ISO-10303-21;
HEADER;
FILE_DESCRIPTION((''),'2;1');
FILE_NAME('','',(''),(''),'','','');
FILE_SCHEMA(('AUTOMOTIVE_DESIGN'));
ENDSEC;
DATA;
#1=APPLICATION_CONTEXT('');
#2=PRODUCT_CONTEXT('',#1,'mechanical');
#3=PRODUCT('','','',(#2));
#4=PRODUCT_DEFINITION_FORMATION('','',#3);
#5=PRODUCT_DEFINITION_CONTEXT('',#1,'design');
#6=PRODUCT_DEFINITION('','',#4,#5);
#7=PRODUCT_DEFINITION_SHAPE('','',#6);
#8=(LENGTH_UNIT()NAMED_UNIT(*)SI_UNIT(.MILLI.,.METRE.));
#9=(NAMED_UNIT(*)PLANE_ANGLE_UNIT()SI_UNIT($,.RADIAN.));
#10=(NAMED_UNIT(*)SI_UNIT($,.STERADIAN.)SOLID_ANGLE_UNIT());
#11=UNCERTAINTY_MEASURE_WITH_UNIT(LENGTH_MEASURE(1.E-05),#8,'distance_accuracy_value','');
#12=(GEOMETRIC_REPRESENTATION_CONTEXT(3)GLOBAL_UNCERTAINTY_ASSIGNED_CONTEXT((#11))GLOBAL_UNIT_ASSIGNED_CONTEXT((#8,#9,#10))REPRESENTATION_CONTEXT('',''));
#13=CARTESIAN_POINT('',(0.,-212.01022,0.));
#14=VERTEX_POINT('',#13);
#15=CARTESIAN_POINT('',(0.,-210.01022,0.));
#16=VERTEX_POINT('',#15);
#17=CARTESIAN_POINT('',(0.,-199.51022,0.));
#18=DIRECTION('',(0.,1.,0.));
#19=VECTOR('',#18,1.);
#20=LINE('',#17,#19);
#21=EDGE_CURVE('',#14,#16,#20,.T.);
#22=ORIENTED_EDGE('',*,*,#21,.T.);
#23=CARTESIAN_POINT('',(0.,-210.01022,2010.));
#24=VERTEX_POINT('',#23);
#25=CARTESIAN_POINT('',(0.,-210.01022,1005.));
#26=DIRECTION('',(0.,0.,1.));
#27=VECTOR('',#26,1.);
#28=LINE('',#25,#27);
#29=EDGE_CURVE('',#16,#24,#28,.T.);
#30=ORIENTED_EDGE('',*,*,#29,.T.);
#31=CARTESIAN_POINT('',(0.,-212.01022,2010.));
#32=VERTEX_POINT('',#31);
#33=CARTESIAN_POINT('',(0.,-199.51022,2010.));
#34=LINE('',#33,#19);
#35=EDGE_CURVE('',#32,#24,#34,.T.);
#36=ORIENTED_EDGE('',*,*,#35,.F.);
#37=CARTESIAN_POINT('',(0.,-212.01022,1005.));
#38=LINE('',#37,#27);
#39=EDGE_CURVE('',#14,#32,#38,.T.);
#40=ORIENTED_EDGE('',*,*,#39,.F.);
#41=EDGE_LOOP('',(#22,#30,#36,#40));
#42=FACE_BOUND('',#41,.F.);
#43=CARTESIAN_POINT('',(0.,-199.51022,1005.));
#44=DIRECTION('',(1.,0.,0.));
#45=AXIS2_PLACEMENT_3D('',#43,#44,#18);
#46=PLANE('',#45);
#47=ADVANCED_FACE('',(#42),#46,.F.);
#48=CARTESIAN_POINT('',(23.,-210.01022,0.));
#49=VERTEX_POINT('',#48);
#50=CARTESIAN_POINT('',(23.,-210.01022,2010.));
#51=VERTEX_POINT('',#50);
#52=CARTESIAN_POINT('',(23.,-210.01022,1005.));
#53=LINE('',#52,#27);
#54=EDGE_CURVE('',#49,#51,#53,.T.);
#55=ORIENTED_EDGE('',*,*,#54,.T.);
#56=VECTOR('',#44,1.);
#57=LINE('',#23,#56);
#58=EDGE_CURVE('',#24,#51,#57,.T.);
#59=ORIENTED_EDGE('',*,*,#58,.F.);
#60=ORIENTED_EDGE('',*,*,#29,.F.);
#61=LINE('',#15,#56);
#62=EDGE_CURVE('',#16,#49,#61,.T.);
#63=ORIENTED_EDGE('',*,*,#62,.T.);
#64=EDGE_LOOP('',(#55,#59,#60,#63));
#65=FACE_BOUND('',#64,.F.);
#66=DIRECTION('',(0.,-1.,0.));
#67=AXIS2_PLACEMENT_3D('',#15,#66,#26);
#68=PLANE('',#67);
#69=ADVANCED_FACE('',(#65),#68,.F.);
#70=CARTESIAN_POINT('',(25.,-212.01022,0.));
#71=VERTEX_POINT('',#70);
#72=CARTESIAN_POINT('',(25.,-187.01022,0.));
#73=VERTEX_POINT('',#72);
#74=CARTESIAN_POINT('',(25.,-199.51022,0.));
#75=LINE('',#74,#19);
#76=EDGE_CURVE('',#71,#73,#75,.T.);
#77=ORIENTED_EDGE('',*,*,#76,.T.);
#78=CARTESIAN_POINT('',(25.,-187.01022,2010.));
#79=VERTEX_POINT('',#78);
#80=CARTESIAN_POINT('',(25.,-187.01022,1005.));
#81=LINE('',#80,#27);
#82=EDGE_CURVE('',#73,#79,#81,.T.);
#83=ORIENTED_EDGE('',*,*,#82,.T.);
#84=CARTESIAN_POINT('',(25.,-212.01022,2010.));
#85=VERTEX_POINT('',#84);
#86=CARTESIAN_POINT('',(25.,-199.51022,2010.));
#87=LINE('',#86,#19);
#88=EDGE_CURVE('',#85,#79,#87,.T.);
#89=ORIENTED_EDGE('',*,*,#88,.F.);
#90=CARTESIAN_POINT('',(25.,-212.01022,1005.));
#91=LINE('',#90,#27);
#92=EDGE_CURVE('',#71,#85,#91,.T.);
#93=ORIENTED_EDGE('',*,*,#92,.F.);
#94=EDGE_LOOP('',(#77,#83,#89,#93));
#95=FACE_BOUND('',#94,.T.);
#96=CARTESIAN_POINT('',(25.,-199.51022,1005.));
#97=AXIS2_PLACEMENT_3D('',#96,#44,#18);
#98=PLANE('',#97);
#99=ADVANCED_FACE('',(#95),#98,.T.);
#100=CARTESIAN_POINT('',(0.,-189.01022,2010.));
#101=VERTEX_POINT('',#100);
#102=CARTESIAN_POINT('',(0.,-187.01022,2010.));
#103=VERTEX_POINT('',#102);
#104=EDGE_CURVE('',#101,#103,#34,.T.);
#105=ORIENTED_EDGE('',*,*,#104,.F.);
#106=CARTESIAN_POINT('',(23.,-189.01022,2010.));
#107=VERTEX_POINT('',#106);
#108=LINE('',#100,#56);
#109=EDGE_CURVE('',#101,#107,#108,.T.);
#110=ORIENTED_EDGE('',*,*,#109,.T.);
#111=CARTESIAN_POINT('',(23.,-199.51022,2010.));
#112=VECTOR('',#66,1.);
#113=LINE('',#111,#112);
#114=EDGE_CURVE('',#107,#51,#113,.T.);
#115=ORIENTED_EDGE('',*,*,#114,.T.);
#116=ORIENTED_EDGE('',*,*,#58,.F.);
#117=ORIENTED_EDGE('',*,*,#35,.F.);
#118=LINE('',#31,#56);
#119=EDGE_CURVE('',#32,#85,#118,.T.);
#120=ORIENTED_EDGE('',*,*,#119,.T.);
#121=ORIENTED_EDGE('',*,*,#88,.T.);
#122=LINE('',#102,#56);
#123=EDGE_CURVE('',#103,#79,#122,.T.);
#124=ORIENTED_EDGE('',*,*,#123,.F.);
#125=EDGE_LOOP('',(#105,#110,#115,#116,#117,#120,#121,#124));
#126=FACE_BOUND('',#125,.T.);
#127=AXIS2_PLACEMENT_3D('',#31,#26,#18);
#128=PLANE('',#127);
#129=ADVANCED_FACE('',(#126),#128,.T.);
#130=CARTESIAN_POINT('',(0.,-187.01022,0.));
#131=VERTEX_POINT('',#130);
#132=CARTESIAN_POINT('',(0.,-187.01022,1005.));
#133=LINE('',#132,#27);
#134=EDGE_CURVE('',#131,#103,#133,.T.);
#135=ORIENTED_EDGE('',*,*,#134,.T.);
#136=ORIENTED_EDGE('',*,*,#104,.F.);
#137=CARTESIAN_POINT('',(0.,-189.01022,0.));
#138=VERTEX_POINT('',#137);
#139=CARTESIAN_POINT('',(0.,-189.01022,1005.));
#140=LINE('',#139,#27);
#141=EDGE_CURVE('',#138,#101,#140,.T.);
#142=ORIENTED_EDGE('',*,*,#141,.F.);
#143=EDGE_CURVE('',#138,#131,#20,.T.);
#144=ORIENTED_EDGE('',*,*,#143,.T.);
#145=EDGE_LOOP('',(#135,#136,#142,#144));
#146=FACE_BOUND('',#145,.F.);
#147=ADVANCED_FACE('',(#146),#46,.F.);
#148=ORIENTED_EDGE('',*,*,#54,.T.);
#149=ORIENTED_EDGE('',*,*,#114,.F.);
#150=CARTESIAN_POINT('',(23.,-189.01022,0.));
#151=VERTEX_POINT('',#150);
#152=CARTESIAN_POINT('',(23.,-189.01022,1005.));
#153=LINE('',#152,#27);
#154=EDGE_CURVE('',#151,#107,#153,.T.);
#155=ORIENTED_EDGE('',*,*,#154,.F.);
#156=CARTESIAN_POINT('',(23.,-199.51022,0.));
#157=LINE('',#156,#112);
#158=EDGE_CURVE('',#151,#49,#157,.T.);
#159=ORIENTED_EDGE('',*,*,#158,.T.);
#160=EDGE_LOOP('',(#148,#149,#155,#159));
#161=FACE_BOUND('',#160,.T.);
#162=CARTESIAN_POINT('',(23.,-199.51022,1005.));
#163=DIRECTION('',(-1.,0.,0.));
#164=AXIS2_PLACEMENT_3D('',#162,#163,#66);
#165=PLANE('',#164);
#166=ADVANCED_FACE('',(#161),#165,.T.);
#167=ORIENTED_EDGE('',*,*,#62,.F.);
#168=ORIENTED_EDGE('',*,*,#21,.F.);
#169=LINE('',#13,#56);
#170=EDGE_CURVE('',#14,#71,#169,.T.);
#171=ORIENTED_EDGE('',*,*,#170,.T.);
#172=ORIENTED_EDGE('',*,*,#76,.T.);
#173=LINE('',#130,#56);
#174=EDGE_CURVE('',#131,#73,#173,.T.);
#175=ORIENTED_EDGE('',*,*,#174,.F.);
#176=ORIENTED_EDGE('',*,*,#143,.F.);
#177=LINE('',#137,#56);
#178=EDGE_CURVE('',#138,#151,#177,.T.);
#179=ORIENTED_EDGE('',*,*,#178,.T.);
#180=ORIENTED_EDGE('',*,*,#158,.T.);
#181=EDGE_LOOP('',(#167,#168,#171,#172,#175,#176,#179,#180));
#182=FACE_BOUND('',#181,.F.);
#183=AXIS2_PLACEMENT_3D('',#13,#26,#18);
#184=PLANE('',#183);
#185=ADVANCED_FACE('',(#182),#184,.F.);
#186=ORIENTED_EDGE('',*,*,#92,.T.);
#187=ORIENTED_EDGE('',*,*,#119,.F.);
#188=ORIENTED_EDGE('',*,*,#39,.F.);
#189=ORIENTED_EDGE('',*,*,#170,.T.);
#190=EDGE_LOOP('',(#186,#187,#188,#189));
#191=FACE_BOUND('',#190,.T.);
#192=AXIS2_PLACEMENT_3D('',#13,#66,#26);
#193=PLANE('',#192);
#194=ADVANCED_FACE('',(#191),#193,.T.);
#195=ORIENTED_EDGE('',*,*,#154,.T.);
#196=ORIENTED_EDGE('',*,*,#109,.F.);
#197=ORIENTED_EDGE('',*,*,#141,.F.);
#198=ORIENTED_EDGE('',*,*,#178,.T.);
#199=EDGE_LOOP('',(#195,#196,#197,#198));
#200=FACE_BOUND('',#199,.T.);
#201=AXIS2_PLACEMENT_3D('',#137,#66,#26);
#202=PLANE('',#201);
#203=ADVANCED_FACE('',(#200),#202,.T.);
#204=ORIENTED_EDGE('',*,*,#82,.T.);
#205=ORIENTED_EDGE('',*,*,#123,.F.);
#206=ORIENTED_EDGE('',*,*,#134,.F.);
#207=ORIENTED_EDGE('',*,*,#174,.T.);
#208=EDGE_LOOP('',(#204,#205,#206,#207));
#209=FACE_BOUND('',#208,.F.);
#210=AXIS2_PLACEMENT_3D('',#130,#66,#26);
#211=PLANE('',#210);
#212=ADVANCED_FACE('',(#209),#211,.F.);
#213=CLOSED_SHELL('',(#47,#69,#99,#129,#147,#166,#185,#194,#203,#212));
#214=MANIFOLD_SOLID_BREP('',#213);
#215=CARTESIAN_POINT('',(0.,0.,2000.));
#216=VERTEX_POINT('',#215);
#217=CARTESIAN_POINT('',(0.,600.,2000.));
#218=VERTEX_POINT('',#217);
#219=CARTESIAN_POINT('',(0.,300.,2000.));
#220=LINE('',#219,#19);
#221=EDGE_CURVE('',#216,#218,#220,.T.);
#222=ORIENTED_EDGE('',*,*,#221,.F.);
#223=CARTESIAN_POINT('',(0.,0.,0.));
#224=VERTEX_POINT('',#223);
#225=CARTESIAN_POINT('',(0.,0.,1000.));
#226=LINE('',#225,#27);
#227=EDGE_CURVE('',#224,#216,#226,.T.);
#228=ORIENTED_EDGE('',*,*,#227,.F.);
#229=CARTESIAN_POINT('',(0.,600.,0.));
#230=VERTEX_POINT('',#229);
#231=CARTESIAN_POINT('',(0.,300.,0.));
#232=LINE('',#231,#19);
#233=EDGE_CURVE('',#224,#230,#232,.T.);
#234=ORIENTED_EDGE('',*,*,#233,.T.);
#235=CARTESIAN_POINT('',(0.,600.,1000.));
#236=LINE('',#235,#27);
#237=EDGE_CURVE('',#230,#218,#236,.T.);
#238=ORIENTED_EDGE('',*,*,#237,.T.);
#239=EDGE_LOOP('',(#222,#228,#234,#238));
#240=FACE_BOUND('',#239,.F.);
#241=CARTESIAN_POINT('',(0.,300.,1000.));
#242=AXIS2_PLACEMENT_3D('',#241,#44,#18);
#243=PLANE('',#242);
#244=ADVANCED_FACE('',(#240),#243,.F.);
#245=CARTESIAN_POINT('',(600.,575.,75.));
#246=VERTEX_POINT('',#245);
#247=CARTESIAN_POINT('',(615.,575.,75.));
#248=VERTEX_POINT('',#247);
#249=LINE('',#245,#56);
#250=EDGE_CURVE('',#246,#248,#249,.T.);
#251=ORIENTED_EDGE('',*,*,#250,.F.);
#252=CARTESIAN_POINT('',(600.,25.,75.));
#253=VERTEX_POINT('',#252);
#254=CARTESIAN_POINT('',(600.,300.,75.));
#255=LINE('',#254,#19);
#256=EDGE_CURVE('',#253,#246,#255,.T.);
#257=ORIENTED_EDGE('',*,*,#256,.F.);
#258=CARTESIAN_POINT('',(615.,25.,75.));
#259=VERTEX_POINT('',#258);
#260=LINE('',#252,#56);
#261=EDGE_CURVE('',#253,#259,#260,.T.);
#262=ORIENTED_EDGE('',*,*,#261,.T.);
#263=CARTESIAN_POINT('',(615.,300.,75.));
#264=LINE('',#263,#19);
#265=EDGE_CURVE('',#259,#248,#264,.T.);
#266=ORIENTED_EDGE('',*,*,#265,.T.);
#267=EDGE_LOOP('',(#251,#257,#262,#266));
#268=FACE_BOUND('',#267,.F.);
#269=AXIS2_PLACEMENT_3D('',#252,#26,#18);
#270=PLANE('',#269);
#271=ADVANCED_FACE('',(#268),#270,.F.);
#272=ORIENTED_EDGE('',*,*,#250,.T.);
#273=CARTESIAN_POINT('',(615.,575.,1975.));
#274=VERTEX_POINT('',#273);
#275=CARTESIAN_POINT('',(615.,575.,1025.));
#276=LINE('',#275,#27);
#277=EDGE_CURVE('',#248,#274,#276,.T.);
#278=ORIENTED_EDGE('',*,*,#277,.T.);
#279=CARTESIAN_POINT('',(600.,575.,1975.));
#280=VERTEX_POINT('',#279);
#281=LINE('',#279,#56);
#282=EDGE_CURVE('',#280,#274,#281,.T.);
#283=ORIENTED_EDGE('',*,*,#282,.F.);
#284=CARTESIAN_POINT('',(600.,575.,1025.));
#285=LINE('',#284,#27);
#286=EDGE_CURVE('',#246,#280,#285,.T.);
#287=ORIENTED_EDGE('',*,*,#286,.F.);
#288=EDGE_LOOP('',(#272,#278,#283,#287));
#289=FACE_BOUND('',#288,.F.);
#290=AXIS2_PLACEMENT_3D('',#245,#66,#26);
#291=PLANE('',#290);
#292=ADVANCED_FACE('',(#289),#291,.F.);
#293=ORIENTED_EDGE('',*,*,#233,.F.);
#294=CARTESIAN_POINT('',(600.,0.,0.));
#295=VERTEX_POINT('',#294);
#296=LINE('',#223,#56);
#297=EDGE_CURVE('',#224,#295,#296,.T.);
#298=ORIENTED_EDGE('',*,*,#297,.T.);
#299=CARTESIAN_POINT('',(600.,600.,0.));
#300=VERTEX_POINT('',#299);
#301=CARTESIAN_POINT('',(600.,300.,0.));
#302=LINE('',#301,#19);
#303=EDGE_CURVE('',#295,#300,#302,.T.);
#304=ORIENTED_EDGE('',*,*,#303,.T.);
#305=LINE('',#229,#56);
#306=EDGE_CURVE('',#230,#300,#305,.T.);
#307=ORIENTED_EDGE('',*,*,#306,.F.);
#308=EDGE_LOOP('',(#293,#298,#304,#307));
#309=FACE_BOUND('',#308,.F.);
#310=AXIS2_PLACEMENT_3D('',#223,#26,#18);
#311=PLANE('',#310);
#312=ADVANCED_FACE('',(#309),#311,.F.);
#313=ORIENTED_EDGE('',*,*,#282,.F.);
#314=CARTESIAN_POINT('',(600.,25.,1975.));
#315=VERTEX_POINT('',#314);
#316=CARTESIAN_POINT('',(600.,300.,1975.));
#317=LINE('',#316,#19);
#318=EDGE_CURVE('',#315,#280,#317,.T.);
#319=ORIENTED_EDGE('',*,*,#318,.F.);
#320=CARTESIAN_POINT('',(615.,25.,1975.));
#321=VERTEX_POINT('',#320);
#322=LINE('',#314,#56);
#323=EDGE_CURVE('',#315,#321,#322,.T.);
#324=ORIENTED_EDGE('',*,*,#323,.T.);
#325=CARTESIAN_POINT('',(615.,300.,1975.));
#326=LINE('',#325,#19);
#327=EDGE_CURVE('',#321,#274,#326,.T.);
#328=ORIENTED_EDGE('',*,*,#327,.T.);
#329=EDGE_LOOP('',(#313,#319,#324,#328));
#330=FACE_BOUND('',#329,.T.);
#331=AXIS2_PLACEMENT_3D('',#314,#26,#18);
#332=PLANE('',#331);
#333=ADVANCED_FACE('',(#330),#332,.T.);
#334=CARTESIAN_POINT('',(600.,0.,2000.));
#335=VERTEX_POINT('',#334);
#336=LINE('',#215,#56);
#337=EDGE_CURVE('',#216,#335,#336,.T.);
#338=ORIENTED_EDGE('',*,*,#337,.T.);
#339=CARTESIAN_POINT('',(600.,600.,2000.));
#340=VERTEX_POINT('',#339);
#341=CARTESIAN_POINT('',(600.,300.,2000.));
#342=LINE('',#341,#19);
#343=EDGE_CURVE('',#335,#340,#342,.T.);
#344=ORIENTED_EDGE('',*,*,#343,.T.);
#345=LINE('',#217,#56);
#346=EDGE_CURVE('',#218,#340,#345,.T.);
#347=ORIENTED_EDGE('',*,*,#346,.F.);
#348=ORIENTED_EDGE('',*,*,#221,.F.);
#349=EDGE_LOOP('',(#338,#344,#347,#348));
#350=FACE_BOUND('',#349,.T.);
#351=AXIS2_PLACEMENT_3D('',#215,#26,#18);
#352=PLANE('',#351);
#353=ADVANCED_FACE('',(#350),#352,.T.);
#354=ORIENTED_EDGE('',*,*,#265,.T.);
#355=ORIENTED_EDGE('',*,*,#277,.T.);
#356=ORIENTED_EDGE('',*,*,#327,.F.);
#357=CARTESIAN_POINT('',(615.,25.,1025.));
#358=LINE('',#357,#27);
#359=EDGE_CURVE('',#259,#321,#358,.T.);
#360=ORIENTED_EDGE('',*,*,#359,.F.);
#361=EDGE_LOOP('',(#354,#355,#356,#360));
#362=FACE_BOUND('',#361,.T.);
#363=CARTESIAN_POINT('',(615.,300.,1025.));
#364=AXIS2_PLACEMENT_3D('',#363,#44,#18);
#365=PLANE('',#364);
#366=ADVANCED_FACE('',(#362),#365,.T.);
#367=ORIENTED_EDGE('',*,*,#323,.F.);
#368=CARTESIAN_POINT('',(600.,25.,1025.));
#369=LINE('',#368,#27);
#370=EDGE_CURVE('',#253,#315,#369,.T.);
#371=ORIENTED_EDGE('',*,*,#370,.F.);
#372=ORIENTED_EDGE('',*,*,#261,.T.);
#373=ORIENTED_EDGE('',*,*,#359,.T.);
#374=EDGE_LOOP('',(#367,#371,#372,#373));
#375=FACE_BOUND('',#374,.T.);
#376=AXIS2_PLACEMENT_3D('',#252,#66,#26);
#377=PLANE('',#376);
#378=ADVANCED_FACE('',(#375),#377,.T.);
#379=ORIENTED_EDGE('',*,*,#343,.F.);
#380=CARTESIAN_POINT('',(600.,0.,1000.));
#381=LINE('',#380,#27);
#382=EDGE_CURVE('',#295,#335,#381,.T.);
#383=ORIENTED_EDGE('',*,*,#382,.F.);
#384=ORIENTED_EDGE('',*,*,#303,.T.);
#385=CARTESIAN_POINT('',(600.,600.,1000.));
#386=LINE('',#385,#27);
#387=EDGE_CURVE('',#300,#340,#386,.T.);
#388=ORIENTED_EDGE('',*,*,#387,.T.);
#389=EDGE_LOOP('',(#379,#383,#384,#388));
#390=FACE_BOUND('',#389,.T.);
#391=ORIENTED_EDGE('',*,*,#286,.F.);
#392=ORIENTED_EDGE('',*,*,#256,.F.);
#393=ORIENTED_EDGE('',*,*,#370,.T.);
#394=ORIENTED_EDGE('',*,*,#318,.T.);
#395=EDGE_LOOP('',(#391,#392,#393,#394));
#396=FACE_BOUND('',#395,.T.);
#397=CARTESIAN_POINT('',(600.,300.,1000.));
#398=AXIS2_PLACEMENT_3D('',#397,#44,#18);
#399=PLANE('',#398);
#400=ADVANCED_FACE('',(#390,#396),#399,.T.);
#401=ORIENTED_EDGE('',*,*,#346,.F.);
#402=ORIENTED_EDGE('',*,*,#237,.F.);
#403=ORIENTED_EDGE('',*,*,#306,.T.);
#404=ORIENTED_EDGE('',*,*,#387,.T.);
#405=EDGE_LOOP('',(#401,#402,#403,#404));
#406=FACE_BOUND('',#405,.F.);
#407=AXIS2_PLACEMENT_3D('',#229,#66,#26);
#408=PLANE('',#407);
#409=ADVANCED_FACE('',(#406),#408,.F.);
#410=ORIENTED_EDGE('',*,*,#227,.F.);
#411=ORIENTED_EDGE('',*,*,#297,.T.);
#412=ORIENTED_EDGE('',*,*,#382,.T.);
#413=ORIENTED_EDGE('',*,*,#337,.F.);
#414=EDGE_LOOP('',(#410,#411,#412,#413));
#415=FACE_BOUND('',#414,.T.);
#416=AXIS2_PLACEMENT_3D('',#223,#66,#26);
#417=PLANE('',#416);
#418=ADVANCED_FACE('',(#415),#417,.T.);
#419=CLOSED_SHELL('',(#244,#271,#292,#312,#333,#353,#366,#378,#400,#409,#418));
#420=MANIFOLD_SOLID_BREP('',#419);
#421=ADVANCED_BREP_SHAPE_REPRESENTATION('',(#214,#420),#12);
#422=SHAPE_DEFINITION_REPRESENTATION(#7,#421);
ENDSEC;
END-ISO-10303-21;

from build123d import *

# Parameters (mm, degrees)
F0_W     = 600
F0_H     = 2000
F1_DEPTH = 600
F2_W     = 550
F2_H     = 1900
F3_DEPTH = 15
F4_W     = 25
F4_H     = 2010
F5_DEPTH = 25
F6_W     = 21
F6_H     = 2010
F7_DEPTH = 23


with BuildPart() as f1:
    # F0 (on Right) → F1 (new body)
    with BuildSketch(Plane.YZ):
        with Locations((300, 1000)):
            Rectangle(F0_W, F0_H)
    extrude(amount=F1_DEPTH)

    # F2 (on face) → F3 (join)
    with BuildSketch(Plane.YZ.offset(600)):
        with Locations((300, 1025)):
            Rectangle(F2_W, F2_H)
    extrude(amount=F3_DEPTH)


with BuildPart() as f5:
    # F4 (on Right) → F5 (new body)
    with BuildSketch(Plane.YZ):
        with Locations((-199.5102200199, 1005)):
            Rectangle(F4_W, F4_H)
    extrude(amount=F5_DEPTH)

    # F6 (on face) → F7 (cut, through all)
    with BuildSketch(Plane(origin=(0, 0, 0), x_dir=(0, -1, 0), z_dir=(-1, 0, 0))):
        with Locations((199.5102200199, 1005)):
            Rectangle(F6_W, F6_H)
    extrude(amount=-F7_DEPTH, mode=Mode.SUBTRACT)


solid = Compound([f1.part, f5.part])
